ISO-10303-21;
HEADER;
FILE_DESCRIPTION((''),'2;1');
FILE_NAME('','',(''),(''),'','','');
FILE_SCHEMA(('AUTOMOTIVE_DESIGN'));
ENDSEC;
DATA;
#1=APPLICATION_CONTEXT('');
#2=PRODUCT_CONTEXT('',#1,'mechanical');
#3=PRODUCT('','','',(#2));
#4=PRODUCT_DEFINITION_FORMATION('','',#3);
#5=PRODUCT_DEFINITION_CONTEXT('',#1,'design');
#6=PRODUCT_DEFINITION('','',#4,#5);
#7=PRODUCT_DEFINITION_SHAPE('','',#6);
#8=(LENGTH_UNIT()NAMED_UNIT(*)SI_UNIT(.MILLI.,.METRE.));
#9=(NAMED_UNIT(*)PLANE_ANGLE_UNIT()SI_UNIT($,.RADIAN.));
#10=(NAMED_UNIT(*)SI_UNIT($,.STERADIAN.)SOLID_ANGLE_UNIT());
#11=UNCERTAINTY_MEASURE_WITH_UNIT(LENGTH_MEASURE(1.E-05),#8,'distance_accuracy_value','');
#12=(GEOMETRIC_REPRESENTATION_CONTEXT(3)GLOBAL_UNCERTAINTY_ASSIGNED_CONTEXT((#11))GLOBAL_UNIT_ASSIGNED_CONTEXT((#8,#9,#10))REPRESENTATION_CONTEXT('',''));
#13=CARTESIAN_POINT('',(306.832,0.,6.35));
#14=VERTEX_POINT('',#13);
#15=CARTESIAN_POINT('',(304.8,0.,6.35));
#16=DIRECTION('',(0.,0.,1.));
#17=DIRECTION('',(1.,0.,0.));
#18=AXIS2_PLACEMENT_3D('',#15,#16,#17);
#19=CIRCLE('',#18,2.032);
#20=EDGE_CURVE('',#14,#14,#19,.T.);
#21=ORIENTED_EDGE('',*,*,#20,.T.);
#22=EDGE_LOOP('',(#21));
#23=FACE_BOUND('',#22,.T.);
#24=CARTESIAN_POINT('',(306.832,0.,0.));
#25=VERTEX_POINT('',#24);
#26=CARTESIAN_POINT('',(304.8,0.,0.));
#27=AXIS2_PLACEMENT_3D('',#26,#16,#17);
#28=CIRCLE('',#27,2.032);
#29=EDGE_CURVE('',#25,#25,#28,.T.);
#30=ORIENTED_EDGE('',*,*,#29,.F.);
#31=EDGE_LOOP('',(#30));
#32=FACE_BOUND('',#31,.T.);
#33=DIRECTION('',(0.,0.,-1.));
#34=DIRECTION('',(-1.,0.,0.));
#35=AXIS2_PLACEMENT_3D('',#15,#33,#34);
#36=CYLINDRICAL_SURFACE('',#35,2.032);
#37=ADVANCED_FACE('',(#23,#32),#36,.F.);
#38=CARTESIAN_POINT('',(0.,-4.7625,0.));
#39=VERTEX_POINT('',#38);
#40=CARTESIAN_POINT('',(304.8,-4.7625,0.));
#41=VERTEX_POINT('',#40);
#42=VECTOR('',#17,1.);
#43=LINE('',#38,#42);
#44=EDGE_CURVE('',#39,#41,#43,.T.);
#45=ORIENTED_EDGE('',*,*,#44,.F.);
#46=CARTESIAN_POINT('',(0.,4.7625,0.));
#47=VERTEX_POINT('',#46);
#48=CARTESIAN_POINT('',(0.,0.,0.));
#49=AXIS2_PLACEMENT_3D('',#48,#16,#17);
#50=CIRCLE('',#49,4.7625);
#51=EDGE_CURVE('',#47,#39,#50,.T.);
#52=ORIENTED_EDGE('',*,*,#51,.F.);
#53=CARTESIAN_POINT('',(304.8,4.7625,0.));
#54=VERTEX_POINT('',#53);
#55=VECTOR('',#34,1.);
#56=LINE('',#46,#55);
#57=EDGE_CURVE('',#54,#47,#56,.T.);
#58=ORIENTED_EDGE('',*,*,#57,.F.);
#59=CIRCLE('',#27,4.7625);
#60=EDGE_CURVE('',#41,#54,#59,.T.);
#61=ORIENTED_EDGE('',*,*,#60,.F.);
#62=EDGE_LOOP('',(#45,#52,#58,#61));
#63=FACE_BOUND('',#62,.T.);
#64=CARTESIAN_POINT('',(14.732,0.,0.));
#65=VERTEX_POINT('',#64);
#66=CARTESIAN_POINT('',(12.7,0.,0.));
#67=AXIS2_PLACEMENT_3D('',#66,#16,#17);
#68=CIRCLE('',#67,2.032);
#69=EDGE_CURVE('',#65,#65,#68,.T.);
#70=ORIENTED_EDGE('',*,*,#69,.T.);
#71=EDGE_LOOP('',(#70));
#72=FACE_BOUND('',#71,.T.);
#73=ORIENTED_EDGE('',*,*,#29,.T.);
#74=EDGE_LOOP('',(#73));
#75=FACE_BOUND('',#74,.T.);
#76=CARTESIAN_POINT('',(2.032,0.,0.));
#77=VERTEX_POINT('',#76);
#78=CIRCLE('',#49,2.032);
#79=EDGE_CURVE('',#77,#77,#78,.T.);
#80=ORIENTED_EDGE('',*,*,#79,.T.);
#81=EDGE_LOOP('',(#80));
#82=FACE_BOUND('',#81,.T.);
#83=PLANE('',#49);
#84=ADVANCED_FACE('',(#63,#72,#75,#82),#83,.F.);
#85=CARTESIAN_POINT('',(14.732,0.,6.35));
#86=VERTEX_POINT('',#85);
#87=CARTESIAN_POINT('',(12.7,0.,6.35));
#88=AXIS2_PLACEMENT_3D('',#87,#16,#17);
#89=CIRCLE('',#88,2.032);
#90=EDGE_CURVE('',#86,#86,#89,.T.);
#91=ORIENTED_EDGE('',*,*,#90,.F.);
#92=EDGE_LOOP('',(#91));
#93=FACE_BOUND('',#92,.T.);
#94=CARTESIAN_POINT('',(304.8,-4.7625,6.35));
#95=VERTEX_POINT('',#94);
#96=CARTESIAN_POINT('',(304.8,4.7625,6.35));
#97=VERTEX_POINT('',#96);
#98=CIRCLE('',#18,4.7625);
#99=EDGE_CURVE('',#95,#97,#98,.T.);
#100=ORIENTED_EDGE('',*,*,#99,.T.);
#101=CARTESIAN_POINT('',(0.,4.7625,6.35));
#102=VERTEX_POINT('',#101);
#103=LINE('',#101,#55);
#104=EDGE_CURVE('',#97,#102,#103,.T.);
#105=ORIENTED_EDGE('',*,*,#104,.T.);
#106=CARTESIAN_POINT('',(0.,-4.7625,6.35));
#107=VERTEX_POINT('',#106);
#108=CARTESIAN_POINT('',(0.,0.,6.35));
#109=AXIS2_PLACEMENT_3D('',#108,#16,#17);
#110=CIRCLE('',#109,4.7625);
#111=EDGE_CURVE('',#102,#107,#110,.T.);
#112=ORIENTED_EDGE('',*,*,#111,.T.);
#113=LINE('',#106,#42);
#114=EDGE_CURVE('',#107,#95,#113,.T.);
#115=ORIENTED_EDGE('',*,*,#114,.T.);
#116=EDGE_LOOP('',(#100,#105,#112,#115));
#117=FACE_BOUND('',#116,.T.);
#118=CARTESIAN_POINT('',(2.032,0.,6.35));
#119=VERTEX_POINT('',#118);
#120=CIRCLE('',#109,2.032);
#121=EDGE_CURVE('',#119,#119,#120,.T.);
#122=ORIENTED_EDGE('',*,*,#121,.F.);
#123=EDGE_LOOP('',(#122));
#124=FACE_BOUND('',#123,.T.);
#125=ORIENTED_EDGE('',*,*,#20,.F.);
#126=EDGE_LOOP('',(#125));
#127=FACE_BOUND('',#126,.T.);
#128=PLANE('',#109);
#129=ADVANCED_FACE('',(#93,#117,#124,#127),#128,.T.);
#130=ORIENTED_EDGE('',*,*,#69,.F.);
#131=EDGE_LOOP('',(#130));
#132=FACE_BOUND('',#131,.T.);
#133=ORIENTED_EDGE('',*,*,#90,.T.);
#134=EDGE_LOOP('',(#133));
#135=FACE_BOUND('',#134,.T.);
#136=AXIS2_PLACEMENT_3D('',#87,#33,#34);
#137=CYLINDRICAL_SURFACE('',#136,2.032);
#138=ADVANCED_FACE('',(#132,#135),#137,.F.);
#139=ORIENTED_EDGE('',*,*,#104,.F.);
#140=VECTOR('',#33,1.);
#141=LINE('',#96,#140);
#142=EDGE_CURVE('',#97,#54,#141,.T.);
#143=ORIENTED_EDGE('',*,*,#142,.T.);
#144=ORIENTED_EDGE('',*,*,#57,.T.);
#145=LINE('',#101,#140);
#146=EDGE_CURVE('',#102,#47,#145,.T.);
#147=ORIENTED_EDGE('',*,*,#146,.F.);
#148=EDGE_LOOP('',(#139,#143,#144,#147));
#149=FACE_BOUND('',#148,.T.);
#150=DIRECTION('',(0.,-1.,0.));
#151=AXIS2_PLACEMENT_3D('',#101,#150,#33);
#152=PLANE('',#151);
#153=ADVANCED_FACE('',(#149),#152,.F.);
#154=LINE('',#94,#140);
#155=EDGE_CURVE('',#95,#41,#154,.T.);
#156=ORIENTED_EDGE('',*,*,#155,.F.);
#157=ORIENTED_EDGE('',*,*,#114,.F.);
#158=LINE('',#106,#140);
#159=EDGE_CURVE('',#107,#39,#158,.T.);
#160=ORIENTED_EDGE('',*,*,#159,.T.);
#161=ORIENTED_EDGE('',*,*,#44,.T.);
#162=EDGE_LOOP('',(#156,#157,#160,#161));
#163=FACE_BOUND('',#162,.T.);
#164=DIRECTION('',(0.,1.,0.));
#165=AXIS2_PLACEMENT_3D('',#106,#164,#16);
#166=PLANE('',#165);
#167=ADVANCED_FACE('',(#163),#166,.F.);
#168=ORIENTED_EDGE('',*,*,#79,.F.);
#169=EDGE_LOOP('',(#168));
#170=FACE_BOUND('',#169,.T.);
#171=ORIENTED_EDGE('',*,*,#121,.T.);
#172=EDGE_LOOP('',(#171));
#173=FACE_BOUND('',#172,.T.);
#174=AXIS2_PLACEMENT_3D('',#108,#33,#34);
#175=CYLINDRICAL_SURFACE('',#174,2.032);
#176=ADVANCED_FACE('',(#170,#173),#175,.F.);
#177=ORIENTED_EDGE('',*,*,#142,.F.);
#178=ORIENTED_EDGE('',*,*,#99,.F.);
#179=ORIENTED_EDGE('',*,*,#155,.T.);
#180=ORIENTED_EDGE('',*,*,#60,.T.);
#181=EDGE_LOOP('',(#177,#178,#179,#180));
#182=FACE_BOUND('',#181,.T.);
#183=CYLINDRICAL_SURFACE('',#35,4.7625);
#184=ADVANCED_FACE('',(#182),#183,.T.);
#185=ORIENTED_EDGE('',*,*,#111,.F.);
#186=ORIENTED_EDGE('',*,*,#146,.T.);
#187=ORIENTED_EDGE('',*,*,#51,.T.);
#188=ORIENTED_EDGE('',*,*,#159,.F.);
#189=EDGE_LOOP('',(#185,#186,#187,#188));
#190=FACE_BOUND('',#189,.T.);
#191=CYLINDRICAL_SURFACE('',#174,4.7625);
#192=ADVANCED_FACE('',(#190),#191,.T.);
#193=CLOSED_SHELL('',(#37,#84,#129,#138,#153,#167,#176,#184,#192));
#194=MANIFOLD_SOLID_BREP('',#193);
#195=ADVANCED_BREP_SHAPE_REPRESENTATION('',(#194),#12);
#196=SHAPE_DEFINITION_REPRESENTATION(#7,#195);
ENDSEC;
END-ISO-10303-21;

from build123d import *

# Parameters (mm, degrees)
SKETCH1_R           = 2.032
BOSS_EXTRUDE1_DEPTH = 6.35


with BuildPart() as part:
    # Sketch1 → Boss-Extrude1 (new body)
    with BuildSketch(Plane.XY):
        with BuildLine():
            Line((0, 4.7625), (304.8, 4.7625))
            ThreePointArc((304.8, 4.7625), (309.5625, 0), (304.8, -4.7625))
            Line((304.8, -4.7625), (0, -4.7625))
            ThreePointArc((0, -4.7625), (-4.7625, 0), (0, 4.7625))
        make_face()
        Circle(SKETCH1_R, mode=Mode.SUBTRACT)
        with Locations((304.8, 0)):
            Circle(SKETCH1_R, mode=Mode.SUBTRACT)
        with Locations((12.7, 0)):
            Circle(SKETCH1_R, mode=Mode.SUBTRACT)
    extrude(amount=BOSS_EXTRUDE1_DEPTH)


solid = part.part
